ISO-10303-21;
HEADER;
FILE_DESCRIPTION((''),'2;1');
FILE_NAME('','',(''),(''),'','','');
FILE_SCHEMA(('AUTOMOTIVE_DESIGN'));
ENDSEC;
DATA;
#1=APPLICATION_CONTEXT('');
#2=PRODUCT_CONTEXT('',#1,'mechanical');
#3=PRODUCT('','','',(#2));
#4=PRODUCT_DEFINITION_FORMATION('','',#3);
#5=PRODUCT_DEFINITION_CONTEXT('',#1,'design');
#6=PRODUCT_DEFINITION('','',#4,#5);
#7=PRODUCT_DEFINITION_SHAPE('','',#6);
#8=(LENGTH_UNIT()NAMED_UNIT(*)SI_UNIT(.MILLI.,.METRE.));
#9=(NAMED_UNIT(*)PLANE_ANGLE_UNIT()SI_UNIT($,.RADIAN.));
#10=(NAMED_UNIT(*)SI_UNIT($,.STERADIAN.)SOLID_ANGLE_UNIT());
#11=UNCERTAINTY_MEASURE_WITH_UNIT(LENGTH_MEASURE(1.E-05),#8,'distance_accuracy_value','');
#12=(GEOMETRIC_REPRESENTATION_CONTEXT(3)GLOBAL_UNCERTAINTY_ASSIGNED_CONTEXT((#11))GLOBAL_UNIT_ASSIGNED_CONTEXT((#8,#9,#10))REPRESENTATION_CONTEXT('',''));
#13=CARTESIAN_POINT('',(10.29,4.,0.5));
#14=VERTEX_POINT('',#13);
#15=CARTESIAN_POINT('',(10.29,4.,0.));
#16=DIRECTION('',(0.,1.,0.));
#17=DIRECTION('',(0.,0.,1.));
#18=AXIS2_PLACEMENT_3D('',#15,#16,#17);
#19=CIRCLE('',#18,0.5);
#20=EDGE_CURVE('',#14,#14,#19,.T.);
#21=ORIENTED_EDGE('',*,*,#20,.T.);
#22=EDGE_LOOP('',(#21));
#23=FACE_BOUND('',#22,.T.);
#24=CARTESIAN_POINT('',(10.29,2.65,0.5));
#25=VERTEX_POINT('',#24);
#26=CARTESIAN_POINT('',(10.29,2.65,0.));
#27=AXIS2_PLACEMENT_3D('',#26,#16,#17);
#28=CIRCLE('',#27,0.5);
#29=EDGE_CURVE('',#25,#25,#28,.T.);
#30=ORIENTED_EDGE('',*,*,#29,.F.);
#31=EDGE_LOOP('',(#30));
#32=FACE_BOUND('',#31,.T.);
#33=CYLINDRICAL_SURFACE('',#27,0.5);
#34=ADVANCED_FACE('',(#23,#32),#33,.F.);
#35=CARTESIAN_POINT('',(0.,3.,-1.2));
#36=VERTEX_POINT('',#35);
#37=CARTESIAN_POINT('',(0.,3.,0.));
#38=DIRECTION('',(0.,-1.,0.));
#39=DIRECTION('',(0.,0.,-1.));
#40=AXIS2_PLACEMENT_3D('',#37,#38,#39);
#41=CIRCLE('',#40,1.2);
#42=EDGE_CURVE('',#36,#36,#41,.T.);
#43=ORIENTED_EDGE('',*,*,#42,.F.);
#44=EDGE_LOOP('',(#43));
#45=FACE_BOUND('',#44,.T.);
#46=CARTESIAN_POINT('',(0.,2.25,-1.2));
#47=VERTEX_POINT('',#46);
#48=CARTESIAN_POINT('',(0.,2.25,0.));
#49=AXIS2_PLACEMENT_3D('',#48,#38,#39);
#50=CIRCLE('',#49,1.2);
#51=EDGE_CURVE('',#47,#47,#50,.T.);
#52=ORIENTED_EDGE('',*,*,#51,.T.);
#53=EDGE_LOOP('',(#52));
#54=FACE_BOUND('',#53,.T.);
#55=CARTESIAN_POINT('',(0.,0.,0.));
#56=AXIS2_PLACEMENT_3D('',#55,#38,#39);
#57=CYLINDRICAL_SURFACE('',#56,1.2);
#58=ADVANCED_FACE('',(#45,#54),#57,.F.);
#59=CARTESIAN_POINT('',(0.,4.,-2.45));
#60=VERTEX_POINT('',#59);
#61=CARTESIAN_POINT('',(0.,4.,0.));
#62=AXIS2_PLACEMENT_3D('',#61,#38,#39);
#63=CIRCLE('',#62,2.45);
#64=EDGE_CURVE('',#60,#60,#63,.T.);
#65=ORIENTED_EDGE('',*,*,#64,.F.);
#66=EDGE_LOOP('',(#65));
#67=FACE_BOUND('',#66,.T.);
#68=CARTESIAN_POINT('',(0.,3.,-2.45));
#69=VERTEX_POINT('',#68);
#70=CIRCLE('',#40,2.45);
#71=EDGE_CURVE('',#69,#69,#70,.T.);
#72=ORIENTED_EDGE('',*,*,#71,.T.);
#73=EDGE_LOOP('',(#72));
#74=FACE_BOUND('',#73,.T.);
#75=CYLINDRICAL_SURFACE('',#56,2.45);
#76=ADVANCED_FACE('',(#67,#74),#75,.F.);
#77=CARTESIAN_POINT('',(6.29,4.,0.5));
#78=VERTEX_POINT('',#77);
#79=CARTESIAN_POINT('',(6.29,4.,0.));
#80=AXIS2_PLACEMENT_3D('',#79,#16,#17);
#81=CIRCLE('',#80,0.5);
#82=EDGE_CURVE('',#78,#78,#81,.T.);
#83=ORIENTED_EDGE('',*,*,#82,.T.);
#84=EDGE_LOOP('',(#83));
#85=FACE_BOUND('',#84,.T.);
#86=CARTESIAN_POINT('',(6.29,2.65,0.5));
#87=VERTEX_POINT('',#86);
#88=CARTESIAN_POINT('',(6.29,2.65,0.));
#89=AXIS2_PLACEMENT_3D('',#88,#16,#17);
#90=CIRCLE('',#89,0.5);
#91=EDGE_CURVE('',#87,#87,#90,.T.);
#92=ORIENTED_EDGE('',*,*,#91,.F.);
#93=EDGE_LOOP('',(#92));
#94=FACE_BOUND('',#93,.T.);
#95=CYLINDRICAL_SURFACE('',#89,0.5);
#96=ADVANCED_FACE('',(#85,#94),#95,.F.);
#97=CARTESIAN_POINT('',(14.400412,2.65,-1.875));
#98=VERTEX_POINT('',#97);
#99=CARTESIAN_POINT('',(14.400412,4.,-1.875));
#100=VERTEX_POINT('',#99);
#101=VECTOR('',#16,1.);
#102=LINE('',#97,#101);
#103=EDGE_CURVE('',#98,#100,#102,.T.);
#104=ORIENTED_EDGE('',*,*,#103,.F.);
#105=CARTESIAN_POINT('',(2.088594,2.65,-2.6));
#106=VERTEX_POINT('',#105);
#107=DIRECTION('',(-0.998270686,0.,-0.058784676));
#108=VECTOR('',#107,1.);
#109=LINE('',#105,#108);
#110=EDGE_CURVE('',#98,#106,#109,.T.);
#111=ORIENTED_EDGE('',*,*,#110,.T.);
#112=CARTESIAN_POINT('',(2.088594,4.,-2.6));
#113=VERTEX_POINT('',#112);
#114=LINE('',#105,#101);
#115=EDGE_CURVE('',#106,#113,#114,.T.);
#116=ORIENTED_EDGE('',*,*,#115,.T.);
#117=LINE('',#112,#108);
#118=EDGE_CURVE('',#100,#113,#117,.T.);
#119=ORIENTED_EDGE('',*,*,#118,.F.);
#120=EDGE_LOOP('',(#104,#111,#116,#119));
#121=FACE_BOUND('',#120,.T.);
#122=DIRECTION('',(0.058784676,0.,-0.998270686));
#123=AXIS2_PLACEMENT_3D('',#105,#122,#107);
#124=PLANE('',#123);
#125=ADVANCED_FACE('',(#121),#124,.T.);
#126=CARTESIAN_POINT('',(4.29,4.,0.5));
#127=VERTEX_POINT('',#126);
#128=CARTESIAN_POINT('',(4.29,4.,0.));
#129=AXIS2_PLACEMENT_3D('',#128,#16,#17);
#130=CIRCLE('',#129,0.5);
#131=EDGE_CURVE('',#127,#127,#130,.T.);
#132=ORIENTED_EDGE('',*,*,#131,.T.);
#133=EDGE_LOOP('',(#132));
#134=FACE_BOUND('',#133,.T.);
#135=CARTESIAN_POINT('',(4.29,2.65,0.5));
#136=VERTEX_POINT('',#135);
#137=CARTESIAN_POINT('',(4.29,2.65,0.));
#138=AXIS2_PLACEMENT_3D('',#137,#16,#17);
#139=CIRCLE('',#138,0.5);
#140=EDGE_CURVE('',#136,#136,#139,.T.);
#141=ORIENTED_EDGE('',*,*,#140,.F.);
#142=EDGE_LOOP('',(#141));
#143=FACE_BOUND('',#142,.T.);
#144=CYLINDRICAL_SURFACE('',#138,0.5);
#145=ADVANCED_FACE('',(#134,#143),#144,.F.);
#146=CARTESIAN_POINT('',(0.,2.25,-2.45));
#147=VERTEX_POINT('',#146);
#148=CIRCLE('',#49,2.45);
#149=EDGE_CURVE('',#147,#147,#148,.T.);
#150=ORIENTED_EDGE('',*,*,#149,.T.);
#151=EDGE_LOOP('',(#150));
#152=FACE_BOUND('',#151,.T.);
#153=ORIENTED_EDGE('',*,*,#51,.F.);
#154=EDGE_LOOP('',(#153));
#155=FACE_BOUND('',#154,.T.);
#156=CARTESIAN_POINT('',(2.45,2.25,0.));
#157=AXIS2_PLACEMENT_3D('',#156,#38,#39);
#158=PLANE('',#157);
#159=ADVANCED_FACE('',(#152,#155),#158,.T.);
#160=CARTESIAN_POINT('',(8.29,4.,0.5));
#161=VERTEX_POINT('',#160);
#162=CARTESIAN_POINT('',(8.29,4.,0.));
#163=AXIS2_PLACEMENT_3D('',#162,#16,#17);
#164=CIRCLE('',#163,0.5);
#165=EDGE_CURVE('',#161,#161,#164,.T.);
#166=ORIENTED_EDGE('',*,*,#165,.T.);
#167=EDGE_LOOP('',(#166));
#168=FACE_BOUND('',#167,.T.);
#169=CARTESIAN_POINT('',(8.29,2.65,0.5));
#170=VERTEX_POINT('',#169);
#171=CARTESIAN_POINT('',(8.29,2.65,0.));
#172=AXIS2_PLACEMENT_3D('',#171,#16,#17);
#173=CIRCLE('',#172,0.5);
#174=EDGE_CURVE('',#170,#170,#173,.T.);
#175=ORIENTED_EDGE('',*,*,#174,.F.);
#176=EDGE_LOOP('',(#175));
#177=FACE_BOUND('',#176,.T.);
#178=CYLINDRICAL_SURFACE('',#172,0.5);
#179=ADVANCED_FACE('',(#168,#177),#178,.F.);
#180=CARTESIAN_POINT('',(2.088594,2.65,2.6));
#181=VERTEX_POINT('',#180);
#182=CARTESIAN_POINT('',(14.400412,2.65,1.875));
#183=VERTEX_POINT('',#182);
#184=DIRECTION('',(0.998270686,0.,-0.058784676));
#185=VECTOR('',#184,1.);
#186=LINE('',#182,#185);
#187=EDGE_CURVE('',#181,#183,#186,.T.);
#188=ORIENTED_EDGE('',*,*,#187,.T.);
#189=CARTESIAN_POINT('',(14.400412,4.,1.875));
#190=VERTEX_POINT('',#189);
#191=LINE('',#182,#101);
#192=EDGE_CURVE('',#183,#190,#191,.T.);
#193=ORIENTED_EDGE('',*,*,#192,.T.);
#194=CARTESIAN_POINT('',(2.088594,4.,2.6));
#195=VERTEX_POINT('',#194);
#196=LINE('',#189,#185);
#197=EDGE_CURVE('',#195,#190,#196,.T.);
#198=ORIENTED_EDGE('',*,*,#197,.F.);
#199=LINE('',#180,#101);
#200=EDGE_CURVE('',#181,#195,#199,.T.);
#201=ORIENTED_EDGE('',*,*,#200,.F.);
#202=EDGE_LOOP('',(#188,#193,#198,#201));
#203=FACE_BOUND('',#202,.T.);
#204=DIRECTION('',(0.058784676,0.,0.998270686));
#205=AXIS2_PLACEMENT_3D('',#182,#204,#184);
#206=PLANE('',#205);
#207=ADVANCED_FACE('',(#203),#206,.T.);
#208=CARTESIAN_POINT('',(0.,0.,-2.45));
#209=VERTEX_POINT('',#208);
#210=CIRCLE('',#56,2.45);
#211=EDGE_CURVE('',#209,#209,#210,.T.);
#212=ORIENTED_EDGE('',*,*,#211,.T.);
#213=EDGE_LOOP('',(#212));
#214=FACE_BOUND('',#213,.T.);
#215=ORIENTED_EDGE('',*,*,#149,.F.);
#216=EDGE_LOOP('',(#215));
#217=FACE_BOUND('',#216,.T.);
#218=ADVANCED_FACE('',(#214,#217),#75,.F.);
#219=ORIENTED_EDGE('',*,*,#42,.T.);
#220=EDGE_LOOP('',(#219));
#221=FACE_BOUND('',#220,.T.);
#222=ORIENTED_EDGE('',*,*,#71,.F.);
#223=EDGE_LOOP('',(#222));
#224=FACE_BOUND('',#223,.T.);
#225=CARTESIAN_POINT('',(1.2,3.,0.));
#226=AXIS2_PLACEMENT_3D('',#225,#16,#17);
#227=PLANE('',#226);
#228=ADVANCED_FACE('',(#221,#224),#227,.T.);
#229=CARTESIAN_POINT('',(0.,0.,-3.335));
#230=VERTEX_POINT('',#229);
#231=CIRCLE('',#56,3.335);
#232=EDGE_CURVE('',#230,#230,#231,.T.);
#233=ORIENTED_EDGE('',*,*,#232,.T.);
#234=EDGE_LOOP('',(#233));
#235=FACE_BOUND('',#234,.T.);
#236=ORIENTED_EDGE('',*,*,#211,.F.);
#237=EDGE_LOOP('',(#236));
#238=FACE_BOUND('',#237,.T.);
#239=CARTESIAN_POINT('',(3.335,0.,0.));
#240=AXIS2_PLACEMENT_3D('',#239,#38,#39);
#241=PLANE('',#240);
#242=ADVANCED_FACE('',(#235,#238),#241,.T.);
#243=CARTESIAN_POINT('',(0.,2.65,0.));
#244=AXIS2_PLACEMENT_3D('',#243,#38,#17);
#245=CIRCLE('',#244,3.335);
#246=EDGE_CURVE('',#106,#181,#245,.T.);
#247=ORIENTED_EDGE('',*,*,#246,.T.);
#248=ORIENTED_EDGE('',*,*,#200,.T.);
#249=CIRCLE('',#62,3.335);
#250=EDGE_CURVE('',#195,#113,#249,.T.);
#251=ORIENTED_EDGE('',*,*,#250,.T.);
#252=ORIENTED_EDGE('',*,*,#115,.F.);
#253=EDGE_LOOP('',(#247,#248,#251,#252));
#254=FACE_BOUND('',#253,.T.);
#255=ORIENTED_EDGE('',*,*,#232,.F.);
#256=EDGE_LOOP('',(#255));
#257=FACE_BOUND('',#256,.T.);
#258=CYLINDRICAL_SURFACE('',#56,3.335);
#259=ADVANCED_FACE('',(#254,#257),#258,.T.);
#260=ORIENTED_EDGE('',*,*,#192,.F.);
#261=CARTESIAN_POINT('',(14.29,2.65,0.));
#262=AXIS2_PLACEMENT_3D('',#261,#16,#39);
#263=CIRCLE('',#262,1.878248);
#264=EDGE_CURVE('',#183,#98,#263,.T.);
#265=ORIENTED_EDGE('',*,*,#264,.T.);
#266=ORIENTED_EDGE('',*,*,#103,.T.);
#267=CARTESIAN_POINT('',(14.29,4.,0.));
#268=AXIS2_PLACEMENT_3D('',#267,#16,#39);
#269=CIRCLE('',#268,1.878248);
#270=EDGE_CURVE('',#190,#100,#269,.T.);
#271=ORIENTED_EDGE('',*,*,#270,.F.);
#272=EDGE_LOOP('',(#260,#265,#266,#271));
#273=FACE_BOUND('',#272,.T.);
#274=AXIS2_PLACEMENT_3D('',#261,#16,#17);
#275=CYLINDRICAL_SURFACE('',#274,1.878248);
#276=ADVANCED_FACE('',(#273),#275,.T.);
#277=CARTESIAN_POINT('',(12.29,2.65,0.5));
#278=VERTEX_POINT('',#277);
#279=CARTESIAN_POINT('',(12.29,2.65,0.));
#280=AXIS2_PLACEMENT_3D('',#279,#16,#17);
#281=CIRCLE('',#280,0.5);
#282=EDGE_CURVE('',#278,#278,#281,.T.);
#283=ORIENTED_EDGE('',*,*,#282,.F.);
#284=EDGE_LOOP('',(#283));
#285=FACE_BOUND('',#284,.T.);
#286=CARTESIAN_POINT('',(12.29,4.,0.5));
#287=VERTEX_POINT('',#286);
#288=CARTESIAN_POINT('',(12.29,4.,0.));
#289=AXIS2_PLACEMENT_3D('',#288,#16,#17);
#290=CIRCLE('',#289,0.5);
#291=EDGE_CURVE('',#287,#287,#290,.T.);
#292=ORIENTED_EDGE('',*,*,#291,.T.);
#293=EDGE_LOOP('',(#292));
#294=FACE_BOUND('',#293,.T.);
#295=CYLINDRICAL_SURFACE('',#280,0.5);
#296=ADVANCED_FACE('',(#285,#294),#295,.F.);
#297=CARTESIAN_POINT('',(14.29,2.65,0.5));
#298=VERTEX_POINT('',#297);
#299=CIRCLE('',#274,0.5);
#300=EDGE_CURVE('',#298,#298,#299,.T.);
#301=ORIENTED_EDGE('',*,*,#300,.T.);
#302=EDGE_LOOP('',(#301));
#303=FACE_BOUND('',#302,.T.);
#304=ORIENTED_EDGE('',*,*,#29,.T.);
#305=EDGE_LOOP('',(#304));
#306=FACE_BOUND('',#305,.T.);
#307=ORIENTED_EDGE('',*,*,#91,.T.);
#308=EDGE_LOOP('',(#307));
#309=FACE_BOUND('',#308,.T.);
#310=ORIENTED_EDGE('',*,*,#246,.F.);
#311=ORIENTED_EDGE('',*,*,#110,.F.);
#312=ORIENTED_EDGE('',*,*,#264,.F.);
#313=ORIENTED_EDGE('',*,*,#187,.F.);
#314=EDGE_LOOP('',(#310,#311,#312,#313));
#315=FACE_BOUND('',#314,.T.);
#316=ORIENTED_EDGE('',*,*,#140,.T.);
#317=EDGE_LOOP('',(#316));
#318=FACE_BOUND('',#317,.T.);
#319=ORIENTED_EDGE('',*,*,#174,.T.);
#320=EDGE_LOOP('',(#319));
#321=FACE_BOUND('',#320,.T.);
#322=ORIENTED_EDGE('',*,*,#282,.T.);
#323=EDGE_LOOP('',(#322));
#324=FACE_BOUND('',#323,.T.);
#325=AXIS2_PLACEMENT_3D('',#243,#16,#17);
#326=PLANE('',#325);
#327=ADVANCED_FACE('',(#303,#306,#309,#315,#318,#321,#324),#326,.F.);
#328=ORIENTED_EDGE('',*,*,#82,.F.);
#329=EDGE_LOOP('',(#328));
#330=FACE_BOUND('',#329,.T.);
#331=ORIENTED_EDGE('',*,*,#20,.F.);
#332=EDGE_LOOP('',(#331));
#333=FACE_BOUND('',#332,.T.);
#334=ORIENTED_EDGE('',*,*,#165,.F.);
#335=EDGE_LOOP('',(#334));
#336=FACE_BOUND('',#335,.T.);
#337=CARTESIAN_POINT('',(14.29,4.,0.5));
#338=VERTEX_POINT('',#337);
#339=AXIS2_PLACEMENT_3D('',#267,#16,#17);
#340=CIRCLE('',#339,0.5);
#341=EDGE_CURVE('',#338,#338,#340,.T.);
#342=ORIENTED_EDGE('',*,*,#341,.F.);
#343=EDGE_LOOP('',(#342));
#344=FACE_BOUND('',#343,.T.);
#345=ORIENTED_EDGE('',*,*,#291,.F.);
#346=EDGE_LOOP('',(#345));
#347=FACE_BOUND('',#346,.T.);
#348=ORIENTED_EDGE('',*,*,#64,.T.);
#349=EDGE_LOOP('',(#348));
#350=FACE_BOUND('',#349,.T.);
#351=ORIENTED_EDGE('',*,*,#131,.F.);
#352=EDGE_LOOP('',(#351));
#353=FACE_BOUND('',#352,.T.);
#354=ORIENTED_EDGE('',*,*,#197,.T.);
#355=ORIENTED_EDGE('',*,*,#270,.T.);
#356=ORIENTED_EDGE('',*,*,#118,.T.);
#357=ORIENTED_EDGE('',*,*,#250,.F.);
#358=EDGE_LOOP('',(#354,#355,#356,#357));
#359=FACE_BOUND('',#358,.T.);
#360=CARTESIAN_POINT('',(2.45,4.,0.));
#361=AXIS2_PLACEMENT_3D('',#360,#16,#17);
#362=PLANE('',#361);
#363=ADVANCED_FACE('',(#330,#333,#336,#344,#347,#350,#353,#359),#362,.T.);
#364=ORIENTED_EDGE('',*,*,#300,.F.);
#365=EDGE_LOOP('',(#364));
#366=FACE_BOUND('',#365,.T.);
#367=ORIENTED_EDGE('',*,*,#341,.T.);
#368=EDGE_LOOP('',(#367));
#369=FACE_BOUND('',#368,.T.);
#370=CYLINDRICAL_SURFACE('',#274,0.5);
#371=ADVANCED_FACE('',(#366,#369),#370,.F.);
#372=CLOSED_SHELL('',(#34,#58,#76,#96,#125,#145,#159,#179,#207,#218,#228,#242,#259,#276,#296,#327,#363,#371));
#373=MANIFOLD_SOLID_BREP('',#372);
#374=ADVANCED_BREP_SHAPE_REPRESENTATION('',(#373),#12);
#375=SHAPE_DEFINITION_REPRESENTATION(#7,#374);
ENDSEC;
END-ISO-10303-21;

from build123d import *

# Parameters (mm, degrees)
BOSS_EXTRUDE1_START = -1.35
SKETCH3_R           = 0.5
BOSS_EXTRUDE1_DEPTH = 1.35


with BuildPart() as part:
    # Sketch2 → Revolve1 (revolve)
    with BuildSketch(Plane.XY, mode=Mode.PRIVATE) as revolve1_sk:
        Polygon((2.45, 0), (2.45, 2.25), (1.2, 2.25), (1.2, 3), (2.45, 3), (2.45, 4), (3.335, 4), (3.335, 0), align=None)
    revolve(revolve1_sk.sketch.rotate(Axis((0, 0, 0), (0, 1, 0)), 90), axis=Axis((0, 0, 0), (0, 1, 0)))

    # Sketch3 → Boss-Extrude1 (add)
    with BuildSketch(Plane(origin=(0, 4, 0), x_dir=(1, 0, 0), z_dir=(0, 1, 0)).offset(BOSS_EXTRUDE1_START)):
        with BuildLine():
            Line((2.088594025, 2.6), (14.400412206, 1.875))
            ThreePointArc((14.400412206, 1.875), (16.168248081, 0), (14.400412206, -1.875))
            Line((14.400412206, -1.875), (2.088594025, -2.6))
            ThreePointArc((2.088594025, -2.6), (3.335, 0), (2.088594025, 2.6))
        make_face()
        with Locations(Location((14.29, 0, 0), (0, 0, 270))):
            Circle(SKETCH3_R, mode=Mode.SUBTRACT)
        with Locations(Location((12.29, 0, 0), (0, 0, 270))):
            Circle(SKETCH3_R, mode=Mode.SUBTRACT)
        with Locations(Location((10.29, 0, 0), (0, 0, 270))):
            Circle(SKETCH3_R, mode=Mode.SUBTRACT)
        with Locations(Location((8.29, 0, 0), (0, 0, 270))):
            Circle(SKETCH3_R, mode=Mode.SUBTRACT)
        with Locations(Location((6.29, 0, 0), (0, 0, 270))):
            Circle(SKETCH3_R, mode=Mode.SUBTRACT)
        with Locations(Location((4.29, 0, 0), (0, 0, 270))):
            Circle(SKETCH3_R, mode=Mode.SUBTRACT)
    extrude(amount=BOSS_EXTRUDE1_DEPTH)


solid = part.part
